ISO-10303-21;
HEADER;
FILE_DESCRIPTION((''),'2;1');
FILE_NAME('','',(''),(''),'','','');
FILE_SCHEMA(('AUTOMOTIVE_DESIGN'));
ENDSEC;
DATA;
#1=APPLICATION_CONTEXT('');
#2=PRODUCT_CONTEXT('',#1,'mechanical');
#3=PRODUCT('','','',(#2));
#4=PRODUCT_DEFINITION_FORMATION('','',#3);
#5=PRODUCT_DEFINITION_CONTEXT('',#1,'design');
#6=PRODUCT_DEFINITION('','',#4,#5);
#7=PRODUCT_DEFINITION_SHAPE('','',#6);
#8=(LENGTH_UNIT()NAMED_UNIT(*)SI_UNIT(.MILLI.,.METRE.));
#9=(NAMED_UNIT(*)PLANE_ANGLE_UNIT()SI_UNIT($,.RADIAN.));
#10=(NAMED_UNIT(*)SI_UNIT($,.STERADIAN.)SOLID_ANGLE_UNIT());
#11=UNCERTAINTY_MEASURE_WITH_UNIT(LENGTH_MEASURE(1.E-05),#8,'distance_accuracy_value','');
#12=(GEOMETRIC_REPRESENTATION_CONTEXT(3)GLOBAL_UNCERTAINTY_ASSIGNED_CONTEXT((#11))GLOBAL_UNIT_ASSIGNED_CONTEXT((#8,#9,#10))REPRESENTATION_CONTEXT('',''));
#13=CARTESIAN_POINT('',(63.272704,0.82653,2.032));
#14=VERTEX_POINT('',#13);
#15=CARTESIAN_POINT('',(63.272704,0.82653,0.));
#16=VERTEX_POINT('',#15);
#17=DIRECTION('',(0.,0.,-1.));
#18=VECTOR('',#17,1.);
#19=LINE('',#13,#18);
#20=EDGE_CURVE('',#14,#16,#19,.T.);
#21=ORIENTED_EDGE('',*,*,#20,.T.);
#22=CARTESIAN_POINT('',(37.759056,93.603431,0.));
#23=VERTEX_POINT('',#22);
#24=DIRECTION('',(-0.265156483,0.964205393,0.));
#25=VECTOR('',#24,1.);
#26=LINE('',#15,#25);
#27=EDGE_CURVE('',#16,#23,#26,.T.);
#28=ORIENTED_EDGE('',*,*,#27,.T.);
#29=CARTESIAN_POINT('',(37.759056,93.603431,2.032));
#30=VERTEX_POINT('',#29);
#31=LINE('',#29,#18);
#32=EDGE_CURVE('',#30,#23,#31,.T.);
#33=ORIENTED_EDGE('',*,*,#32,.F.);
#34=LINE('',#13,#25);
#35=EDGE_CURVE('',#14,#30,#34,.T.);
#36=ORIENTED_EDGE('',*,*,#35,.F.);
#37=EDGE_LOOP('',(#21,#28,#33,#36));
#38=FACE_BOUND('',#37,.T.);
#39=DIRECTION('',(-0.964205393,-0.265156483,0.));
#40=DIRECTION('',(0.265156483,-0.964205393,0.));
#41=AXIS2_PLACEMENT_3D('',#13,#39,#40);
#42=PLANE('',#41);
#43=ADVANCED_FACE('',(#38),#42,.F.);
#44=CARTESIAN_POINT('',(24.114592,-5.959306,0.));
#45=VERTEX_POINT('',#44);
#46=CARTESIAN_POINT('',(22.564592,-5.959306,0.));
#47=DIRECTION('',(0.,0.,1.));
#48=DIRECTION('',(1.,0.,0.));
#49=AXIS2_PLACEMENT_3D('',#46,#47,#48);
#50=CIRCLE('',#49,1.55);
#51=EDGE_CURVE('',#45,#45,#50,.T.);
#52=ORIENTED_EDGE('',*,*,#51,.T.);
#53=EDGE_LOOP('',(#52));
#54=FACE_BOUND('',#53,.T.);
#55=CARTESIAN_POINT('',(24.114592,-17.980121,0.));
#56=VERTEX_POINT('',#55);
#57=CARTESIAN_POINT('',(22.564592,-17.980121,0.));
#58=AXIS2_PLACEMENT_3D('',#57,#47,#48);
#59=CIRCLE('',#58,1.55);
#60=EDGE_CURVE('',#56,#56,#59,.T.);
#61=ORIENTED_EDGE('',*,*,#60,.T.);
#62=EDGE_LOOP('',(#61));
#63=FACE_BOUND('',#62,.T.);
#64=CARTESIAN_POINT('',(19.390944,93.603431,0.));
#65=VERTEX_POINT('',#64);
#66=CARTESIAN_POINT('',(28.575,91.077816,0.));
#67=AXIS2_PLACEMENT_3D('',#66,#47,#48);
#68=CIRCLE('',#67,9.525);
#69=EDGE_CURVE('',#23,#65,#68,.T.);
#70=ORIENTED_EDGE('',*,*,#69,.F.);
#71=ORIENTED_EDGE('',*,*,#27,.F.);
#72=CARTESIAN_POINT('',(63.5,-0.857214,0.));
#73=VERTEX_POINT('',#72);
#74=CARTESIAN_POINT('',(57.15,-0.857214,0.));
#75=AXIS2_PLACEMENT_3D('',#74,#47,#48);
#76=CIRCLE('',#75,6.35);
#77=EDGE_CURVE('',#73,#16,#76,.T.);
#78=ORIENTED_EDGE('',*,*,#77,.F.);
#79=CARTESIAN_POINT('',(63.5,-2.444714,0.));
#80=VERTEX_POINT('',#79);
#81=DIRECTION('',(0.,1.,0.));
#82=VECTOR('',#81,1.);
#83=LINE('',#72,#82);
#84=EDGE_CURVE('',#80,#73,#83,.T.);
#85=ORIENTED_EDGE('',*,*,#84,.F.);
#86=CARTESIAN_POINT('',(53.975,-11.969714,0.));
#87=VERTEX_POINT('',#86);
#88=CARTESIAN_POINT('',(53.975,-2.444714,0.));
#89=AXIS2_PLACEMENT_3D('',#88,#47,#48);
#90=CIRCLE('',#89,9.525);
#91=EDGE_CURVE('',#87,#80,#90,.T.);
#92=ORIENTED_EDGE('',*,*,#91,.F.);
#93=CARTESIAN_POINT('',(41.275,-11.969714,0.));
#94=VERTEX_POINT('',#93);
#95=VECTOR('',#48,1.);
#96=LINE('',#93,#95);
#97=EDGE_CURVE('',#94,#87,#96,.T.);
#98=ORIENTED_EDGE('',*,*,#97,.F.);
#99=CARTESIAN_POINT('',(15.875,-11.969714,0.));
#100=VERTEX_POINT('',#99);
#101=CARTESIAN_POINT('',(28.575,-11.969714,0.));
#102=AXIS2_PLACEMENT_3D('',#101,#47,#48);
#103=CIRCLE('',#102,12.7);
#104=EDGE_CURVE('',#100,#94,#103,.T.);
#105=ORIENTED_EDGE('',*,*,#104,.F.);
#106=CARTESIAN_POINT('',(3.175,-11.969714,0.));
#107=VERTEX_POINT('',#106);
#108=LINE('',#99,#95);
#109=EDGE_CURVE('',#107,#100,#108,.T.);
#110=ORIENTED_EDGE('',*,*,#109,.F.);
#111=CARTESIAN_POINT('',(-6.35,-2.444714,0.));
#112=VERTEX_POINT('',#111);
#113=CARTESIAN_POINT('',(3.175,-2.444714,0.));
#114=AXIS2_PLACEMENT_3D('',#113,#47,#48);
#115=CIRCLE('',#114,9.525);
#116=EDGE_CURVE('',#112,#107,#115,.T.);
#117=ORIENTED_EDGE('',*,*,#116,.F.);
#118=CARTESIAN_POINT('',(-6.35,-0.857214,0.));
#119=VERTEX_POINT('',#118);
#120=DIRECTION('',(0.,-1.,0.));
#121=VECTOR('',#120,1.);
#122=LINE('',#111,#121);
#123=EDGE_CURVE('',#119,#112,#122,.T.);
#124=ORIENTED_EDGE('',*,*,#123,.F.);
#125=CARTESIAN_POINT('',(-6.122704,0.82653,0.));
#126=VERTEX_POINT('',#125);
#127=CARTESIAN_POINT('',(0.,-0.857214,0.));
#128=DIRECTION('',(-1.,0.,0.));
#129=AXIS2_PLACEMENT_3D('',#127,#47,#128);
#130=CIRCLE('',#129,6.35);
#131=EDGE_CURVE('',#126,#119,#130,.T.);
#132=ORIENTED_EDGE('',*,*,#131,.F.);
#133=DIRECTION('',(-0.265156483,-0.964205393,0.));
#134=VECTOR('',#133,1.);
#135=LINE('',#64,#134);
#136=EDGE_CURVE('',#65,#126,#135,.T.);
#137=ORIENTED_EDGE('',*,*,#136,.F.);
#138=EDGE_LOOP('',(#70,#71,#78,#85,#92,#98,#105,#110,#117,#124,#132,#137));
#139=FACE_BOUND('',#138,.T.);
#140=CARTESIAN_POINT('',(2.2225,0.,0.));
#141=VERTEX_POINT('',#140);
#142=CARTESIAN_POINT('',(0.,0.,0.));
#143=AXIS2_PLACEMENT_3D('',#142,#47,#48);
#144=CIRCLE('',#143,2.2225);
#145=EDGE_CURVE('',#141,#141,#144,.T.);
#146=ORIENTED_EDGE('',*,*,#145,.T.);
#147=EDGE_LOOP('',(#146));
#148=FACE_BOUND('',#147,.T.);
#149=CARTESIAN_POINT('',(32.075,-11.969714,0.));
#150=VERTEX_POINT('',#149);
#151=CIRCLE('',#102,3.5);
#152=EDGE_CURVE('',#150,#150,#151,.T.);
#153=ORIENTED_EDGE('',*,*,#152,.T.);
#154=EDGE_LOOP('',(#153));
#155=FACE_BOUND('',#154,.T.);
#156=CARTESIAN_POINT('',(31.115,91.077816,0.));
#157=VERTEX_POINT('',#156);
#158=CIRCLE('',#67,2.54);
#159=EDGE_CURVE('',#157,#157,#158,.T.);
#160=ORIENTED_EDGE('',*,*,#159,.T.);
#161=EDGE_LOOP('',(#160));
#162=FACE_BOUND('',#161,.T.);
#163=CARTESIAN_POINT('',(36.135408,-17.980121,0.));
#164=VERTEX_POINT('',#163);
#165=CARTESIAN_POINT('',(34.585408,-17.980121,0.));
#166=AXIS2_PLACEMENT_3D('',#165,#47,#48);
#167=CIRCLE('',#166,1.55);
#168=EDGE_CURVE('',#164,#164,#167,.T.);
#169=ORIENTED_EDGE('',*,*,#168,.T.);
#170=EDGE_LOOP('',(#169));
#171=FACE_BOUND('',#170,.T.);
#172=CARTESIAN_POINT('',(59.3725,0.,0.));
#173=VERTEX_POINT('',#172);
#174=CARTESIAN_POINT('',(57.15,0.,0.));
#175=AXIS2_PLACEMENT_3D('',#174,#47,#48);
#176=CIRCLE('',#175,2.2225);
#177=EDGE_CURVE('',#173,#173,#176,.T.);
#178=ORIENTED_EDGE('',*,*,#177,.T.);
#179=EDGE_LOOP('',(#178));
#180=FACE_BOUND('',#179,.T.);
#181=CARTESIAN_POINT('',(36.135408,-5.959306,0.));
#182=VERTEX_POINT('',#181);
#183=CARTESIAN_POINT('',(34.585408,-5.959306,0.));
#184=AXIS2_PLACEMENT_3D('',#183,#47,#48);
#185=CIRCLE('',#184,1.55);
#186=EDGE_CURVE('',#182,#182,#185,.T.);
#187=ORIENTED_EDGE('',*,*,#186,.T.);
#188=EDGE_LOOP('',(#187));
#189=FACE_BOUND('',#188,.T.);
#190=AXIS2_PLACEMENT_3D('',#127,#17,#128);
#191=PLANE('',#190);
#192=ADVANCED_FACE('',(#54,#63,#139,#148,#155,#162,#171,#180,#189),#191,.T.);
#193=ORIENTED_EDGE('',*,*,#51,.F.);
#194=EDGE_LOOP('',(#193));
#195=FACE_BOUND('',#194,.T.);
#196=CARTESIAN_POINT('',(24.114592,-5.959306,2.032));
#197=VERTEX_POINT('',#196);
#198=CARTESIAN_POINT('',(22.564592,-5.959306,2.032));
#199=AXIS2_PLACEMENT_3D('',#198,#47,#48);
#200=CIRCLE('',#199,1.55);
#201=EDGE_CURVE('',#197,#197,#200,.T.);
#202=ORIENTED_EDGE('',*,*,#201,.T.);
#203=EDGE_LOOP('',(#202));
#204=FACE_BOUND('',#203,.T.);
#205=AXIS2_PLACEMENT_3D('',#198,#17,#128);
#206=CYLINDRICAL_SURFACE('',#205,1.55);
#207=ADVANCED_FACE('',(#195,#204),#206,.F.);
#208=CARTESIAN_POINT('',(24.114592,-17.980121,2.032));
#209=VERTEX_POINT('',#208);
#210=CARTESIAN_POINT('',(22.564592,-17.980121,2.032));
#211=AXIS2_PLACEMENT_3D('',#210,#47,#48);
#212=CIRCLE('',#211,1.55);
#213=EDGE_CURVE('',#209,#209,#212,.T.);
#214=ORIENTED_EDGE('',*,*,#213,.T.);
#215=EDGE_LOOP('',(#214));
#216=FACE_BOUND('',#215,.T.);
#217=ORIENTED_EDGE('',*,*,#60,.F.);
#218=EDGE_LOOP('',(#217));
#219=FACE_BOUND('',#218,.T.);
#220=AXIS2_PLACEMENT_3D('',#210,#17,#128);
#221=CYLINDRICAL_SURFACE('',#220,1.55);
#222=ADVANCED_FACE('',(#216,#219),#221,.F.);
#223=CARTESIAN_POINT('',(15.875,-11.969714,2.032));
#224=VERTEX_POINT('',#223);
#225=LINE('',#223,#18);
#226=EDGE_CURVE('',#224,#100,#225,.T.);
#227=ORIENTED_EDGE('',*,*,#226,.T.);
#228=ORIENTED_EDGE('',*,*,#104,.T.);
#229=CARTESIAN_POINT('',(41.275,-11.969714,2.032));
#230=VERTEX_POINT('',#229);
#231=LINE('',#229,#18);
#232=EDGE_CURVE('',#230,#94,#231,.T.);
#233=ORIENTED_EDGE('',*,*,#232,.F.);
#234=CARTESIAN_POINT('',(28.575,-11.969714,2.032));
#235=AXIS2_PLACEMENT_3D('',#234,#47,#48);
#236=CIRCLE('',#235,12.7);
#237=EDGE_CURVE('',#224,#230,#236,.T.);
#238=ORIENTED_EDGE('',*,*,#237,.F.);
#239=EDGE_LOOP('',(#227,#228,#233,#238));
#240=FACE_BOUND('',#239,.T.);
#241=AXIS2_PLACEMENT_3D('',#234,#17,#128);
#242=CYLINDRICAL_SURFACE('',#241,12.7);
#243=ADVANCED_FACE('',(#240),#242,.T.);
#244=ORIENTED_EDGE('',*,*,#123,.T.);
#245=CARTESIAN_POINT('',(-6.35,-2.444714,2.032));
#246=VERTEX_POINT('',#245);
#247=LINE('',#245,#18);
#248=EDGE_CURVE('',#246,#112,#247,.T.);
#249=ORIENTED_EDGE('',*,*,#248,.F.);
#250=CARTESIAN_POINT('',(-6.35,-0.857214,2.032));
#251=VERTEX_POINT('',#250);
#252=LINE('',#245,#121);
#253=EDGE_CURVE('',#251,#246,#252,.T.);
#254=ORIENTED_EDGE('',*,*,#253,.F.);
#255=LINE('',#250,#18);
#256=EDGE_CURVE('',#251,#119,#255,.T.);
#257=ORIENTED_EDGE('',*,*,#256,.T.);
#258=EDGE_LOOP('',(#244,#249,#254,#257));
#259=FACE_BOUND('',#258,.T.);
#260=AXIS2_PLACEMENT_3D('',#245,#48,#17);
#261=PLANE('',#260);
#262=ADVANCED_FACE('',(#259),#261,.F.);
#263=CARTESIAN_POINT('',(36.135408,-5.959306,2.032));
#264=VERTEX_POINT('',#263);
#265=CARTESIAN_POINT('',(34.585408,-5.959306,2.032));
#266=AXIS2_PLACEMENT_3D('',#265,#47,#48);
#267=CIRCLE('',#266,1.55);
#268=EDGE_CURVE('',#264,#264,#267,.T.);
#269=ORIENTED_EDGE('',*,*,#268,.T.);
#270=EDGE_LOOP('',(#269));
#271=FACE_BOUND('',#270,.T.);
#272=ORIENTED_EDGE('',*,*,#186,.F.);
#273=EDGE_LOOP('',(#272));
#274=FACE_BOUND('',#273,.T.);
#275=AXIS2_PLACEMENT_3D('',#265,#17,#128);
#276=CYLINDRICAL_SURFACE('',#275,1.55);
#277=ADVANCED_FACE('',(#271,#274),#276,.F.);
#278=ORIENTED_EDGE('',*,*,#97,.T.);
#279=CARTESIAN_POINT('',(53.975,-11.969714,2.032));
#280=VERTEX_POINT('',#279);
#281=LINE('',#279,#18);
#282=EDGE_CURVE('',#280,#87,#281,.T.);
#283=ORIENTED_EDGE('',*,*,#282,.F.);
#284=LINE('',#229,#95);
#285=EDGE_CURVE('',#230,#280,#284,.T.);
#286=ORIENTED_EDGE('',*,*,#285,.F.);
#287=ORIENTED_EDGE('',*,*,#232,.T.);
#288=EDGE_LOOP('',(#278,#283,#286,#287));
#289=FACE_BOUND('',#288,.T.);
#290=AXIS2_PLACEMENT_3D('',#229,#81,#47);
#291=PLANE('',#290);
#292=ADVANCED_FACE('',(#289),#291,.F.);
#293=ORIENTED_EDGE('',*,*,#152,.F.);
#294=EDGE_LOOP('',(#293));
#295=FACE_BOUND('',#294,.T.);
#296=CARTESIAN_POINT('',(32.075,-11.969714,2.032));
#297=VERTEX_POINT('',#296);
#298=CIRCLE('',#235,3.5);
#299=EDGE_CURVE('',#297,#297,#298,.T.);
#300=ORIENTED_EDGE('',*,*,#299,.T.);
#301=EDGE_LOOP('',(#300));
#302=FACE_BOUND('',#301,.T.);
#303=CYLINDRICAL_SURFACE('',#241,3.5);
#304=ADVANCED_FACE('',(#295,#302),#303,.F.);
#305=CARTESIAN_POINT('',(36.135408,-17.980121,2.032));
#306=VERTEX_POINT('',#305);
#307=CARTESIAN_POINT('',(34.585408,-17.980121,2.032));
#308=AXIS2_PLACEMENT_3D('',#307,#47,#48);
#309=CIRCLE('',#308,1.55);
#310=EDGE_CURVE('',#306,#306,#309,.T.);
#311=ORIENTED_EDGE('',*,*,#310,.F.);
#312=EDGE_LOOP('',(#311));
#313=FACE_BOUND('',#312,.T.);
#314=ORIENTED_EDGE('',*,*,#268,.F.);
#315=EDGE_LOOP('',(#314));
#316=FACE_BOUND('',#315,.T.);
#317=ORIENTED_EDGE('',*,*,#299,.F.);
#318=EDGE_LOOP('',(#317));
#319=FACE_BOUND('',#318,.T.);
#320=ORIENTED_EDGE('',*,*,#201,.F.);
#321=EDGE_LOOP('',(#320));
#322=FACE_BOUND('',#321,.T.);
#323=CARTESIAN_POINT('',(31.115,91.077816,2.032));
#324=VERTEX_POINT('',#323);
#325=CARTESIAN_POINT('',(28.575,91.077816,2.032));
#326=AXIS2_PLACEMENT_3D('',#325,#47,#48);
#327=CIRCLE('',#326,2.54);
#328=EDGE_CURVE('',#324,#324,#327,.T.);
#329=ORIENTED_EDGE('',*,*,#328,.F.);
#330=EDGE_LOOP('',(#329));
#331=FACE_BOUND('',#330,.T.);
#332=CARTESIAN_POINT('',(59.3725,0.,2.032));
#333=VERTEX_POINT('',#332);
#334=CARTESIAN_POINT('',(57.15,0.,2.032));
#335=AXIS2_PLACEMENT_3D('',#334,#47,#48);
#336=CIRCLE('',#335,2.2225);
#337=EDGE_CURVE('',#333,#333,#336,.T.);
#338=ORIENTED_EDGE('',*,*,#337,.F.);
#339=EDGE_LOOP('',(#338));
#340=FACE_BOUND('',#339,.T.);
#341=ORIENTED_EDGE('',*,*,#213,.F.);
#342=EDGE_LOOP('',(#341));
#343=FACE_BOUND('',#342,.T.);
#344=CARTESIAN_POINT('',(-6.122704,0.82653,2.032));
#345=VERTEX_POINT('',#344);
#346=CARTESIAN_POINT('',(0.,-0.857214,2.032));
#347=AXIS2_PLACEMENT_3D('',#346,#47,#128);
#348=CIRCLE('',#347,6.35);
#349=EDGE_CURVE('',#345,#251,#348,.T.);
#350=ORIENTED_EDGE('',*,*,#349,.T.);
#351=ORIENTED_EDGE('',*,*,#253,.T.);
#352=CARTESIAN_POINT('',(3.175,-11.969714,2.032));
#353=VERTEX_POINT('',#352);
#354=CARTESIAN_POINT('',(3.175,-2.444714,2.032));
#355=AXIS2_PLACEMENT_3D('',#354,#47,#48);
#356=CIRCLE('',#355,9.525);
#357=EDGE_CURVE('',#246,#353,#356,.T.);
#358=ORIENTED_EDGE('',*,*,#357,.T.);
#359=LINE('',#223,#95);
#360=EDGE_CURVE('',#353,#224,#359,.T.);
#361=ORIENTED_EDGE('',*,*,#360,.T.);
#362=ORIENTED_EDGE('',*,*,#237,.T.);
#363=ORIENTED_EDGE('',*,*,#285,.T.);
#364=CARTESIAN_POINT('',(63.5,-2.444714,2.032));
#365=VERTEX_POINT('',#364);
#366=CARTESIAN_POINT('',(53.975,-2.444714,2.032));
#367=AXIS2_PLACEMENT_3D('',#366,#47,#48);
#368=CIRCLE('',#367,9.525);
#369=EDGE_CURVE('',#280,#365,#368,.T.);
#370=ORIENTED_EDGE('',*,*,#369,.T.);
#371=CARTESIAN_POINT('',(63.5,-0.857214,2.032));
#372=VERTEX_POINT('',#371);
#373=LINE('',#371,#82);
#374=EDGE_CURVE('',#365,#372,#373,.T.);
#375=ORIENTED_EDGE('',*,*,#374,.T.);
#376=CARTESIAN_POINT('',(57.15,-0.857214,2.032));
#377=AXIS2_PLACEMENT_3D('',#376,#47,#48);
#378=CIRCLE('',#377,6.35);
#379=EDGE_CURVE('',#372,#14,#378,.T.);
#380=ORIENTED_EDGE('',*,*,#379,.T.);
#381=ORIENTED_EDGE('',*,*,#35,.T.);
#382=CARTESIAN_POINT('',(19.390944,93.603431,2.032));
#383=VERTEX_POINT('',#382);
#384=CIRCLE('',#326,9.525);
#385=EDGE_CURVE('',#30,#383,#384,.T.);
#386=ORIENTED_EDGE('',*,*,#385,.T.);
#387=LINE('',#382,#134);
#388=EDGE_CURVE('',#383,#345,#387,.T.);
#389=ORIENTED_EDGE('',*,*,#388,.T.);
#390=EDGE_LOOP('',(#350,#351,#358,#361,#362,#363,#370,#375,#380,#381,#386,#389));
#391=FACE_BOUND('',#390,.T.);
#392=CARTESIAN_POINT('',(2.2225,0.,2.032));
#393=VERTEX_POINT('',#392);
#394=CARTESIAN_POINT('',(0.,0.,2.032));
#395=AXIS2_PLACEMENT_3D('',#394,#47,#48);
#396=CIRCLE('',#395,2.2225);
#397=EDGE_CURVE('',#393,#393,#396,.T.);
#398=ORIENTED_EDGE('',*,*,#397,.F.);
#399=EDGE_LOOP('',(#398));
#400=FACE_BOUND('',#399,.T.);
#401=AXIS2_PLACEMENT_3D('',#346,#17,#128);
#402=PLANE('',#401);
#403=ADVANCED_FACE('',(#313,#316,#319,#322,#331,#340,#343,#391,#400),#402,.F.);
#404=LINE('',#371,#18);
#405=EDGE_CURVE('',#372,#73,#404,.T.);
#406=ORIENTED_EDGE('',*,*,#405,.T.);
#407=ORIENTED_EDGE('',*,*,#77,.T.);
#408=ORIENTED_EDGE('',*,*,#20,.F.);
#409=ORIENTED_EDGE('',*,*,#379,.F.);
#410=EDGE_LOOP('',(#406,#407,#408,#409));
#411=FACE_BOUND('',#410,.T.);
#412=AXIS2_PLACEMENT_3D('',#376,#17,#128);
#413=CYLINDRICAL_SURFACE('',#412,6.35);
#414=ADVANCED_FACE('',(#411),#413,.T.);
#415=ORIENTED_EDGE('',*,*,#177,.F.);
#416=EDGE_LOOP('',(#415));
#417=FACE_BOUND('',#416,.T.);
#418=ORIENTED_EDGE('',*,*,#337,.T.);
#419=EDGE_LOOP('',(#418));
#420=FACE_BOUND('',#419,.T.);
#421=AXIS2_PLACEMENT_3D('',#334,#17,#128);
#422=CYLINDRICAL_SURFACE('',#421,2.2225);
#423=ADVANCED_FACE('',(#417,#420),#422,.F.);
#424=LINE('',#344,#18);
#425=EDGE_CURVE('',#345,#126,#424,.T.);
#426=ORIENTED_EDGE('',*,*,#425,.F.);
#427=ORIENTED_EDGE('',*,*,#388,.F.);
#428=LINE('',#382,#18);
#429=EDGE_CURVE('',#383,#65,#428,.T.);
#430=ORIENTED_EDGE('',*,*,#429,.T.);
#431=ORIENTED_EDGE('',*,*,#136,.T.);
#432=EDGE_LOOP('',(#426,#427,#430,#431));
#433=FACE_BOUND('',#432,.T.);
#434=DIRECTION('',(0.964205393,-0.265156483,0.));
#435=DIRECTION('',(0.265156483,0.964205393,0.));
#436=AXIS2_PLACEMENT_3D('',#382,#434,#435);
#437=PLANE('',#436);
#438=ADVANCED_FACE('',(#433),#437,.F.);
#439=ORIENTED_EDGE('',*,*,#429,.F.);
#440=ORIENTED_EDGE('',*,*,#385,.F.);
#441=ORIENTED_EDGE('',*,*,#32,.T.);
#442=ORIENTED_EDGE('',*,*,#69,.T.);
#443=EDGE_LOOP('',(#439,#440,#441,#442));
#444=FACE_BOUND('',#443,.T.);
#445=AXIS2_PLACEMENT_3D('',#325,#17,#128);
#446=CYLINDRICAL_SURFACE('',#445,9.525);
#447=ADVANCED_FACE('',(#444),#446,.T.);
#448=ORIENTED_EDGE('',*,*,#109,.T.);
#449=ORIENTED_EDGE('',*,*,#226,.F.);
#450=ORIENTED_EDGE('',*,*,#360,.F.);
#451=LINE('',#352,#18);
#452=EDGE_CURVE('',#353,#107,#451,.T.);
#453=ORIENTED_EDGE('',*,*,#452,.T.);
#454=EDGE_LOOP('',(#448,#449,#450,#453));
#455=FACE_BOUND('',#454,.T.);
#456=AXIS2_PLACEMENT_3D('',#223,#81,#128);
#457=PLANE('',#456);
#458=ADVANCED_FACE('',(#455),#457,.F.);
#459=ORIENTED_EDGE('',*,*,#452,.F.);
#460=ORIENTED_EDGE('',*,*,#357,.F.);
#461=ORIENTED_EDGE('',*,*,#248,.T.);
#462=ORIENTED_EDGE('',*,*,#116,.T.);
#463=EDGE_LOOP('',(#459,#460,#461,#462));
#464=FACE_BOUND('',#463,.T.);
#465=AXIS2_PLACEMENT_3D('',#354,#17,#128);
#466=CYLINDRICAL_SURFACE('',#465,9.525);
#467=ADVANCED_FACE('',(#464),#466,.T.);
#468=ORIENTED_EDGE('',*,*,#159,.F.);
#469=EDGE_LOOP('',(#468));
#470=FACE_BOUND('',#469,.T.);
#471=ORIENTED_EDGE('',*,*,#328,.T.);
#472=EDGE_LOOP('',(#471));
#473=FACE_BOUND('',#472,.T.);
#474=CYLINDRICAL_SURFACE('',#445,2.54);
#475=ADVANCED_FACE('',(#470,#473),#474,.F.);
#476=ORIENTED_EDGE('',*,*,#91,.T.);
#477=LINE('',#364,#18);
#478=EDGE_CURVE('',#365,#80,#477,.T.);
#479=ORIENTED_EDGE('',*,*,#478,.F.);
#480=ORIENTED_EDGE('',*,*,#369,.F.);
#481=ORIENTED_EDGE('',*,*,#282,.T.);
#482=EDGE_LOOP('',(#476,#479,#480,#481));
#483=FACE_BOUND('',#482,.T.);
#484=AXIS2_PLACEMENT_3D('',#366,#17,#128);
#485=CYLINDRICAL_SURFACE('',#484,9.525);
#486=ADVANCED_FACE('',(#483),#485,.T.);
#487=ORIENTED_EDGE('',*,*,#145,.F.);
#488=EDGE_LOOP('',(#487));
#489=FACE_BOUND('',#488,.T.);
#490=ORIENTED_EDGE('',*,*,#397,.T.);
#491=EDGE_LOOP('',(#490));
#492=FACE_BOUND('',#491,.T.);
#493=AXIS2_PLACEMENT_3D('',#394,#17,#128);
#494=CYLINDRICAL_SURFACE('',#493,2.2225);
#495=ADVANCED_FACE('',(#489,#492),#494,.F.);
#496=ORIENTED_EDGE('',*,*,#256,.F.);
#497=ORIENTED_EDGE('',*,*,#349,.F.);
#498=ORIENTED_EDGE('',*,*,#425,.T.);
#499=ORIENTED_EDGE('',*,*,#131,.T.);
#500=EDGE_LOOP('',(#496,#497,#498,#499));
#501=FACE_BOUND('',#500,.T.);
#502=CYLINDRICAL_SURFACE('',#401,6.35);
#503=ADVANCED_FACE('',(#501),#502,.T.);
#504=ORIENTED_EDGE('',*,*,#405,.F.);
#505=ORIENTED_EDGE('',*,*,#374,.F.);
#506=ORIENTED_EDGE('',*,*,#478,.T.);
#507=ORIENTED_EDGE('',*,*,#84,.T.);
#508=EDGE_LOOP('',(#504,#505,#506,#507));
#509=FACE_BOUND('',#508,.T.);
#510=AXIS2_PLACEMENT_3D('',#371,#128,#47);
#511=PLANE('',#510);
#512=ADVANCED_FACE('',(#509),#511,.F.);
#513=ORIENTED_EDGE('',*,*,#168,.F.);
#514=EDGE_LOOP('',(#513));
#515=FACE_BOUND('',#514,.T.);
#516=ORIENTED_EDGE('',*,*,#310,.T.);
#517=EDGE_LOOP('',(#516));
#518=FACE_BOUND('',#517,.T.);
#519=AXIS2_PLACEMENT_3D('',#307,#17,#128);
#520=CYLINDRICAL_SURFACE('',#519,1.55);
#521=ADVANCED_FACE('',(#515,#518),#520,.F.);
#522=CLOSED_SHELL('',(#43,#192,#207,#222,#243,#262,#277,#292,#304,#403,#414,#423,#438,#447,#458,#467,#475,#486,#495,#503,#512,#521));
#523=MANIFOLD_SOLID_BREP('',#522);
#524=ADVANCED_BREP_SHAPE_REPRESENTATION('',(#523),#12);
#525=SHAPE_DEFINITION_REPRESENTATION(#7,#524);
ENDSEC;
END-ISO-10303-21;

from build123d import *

# Parameters (mm, degrees)
SKETCH1_R           = 2.2225
SKETCH1_R_2         = 1.55
SKETCH1_R_3         = 2.539999998
SKETCH1_R_4         = 3.5
BOSS_EXTRUDE1_DEPTH = 2.032


with BuildPart() as part:
    # Sketch1 → Boss-Extrude1 (new body)
    with BuildSketch(Plane.XY):
        with BuildLine():
            Line((41.275, -11.969713646), (53.975, -11.969713646))
            ThreePointArc((53.975, -11.969713646), (60.710192091, -9.179905737), (63.5, -2.444713646))
            Line((63.5, -2.444713646), (63.5, -0.857213646))
            ThreePointArc((63.5, -0.857213646), (63.442919511, -0.007705539), (63.272704244, 0.826530021))
            Line((63.272704244, 0.826530021), (37.759056366, 93.603431401))
            ThreePointArc((37.759056366, 93.603431401), (28.575, 100.6028159), (19.390943634, 93.603431401))
            Line((19.390943634, 93.603431401), (-6.122704244, 0.826530021))
            ThreePointArc((-6.122704244, 0.826530021), (-6.292919511, -0.007705539), (-6.35, -0.857213646))
            Line((-6.35, -0.857213646), (-6.35, -2.444713646))
            ThreePointArc((-6.35, -2.444713646), (-3.560192091, -9.179905737), (3.175, -11.969713646))
            Line((3.175, -11.969713646), (15.875, -11.969713646))
            ThreePointArc((15.875, -11.969713646), (28.575, -24.669713646), (41.275, -11.969713646))
        make_face()
        Circle(SKETCH1_R, mode=Mode.SUBTRACT)
        with Locations((57.15, 0)):
            Circle(SKETCH1_R, mode=Mode.SUBTRACT)
        with Locations((22.56459236, -5.959306006)):
            Circle(SKETCH1_R_2, mode=Mode.SUBTRACT)
        with Locations((28.575, 91.0778159)):
            Circle(SKETCH1_R_3, mode=Mode.SUBTRACT)
        with Locations((28.575, -11.969713646)):
            Circle(SKETCH1_R_4, mode=Mode.SUBTRACT)
        with Locations((34.58540764, -17.980121287)):
            Circle(SKETCH1_R_2, mode=Mode.SUBTRACT)
        with Locations((34.58540764, -5.959306006)):
            Circle(SKETCH1_R_2, mode=Mode.SUBTRACT)
        with Locations((22.56459236, -17.980121287)):
            Circle(SKETCH1_R_2, mode=Mode.SUBTRACT)
    extrude(amount=BOSS_EXTRUDE1_DEPTH)


solid = part.part
